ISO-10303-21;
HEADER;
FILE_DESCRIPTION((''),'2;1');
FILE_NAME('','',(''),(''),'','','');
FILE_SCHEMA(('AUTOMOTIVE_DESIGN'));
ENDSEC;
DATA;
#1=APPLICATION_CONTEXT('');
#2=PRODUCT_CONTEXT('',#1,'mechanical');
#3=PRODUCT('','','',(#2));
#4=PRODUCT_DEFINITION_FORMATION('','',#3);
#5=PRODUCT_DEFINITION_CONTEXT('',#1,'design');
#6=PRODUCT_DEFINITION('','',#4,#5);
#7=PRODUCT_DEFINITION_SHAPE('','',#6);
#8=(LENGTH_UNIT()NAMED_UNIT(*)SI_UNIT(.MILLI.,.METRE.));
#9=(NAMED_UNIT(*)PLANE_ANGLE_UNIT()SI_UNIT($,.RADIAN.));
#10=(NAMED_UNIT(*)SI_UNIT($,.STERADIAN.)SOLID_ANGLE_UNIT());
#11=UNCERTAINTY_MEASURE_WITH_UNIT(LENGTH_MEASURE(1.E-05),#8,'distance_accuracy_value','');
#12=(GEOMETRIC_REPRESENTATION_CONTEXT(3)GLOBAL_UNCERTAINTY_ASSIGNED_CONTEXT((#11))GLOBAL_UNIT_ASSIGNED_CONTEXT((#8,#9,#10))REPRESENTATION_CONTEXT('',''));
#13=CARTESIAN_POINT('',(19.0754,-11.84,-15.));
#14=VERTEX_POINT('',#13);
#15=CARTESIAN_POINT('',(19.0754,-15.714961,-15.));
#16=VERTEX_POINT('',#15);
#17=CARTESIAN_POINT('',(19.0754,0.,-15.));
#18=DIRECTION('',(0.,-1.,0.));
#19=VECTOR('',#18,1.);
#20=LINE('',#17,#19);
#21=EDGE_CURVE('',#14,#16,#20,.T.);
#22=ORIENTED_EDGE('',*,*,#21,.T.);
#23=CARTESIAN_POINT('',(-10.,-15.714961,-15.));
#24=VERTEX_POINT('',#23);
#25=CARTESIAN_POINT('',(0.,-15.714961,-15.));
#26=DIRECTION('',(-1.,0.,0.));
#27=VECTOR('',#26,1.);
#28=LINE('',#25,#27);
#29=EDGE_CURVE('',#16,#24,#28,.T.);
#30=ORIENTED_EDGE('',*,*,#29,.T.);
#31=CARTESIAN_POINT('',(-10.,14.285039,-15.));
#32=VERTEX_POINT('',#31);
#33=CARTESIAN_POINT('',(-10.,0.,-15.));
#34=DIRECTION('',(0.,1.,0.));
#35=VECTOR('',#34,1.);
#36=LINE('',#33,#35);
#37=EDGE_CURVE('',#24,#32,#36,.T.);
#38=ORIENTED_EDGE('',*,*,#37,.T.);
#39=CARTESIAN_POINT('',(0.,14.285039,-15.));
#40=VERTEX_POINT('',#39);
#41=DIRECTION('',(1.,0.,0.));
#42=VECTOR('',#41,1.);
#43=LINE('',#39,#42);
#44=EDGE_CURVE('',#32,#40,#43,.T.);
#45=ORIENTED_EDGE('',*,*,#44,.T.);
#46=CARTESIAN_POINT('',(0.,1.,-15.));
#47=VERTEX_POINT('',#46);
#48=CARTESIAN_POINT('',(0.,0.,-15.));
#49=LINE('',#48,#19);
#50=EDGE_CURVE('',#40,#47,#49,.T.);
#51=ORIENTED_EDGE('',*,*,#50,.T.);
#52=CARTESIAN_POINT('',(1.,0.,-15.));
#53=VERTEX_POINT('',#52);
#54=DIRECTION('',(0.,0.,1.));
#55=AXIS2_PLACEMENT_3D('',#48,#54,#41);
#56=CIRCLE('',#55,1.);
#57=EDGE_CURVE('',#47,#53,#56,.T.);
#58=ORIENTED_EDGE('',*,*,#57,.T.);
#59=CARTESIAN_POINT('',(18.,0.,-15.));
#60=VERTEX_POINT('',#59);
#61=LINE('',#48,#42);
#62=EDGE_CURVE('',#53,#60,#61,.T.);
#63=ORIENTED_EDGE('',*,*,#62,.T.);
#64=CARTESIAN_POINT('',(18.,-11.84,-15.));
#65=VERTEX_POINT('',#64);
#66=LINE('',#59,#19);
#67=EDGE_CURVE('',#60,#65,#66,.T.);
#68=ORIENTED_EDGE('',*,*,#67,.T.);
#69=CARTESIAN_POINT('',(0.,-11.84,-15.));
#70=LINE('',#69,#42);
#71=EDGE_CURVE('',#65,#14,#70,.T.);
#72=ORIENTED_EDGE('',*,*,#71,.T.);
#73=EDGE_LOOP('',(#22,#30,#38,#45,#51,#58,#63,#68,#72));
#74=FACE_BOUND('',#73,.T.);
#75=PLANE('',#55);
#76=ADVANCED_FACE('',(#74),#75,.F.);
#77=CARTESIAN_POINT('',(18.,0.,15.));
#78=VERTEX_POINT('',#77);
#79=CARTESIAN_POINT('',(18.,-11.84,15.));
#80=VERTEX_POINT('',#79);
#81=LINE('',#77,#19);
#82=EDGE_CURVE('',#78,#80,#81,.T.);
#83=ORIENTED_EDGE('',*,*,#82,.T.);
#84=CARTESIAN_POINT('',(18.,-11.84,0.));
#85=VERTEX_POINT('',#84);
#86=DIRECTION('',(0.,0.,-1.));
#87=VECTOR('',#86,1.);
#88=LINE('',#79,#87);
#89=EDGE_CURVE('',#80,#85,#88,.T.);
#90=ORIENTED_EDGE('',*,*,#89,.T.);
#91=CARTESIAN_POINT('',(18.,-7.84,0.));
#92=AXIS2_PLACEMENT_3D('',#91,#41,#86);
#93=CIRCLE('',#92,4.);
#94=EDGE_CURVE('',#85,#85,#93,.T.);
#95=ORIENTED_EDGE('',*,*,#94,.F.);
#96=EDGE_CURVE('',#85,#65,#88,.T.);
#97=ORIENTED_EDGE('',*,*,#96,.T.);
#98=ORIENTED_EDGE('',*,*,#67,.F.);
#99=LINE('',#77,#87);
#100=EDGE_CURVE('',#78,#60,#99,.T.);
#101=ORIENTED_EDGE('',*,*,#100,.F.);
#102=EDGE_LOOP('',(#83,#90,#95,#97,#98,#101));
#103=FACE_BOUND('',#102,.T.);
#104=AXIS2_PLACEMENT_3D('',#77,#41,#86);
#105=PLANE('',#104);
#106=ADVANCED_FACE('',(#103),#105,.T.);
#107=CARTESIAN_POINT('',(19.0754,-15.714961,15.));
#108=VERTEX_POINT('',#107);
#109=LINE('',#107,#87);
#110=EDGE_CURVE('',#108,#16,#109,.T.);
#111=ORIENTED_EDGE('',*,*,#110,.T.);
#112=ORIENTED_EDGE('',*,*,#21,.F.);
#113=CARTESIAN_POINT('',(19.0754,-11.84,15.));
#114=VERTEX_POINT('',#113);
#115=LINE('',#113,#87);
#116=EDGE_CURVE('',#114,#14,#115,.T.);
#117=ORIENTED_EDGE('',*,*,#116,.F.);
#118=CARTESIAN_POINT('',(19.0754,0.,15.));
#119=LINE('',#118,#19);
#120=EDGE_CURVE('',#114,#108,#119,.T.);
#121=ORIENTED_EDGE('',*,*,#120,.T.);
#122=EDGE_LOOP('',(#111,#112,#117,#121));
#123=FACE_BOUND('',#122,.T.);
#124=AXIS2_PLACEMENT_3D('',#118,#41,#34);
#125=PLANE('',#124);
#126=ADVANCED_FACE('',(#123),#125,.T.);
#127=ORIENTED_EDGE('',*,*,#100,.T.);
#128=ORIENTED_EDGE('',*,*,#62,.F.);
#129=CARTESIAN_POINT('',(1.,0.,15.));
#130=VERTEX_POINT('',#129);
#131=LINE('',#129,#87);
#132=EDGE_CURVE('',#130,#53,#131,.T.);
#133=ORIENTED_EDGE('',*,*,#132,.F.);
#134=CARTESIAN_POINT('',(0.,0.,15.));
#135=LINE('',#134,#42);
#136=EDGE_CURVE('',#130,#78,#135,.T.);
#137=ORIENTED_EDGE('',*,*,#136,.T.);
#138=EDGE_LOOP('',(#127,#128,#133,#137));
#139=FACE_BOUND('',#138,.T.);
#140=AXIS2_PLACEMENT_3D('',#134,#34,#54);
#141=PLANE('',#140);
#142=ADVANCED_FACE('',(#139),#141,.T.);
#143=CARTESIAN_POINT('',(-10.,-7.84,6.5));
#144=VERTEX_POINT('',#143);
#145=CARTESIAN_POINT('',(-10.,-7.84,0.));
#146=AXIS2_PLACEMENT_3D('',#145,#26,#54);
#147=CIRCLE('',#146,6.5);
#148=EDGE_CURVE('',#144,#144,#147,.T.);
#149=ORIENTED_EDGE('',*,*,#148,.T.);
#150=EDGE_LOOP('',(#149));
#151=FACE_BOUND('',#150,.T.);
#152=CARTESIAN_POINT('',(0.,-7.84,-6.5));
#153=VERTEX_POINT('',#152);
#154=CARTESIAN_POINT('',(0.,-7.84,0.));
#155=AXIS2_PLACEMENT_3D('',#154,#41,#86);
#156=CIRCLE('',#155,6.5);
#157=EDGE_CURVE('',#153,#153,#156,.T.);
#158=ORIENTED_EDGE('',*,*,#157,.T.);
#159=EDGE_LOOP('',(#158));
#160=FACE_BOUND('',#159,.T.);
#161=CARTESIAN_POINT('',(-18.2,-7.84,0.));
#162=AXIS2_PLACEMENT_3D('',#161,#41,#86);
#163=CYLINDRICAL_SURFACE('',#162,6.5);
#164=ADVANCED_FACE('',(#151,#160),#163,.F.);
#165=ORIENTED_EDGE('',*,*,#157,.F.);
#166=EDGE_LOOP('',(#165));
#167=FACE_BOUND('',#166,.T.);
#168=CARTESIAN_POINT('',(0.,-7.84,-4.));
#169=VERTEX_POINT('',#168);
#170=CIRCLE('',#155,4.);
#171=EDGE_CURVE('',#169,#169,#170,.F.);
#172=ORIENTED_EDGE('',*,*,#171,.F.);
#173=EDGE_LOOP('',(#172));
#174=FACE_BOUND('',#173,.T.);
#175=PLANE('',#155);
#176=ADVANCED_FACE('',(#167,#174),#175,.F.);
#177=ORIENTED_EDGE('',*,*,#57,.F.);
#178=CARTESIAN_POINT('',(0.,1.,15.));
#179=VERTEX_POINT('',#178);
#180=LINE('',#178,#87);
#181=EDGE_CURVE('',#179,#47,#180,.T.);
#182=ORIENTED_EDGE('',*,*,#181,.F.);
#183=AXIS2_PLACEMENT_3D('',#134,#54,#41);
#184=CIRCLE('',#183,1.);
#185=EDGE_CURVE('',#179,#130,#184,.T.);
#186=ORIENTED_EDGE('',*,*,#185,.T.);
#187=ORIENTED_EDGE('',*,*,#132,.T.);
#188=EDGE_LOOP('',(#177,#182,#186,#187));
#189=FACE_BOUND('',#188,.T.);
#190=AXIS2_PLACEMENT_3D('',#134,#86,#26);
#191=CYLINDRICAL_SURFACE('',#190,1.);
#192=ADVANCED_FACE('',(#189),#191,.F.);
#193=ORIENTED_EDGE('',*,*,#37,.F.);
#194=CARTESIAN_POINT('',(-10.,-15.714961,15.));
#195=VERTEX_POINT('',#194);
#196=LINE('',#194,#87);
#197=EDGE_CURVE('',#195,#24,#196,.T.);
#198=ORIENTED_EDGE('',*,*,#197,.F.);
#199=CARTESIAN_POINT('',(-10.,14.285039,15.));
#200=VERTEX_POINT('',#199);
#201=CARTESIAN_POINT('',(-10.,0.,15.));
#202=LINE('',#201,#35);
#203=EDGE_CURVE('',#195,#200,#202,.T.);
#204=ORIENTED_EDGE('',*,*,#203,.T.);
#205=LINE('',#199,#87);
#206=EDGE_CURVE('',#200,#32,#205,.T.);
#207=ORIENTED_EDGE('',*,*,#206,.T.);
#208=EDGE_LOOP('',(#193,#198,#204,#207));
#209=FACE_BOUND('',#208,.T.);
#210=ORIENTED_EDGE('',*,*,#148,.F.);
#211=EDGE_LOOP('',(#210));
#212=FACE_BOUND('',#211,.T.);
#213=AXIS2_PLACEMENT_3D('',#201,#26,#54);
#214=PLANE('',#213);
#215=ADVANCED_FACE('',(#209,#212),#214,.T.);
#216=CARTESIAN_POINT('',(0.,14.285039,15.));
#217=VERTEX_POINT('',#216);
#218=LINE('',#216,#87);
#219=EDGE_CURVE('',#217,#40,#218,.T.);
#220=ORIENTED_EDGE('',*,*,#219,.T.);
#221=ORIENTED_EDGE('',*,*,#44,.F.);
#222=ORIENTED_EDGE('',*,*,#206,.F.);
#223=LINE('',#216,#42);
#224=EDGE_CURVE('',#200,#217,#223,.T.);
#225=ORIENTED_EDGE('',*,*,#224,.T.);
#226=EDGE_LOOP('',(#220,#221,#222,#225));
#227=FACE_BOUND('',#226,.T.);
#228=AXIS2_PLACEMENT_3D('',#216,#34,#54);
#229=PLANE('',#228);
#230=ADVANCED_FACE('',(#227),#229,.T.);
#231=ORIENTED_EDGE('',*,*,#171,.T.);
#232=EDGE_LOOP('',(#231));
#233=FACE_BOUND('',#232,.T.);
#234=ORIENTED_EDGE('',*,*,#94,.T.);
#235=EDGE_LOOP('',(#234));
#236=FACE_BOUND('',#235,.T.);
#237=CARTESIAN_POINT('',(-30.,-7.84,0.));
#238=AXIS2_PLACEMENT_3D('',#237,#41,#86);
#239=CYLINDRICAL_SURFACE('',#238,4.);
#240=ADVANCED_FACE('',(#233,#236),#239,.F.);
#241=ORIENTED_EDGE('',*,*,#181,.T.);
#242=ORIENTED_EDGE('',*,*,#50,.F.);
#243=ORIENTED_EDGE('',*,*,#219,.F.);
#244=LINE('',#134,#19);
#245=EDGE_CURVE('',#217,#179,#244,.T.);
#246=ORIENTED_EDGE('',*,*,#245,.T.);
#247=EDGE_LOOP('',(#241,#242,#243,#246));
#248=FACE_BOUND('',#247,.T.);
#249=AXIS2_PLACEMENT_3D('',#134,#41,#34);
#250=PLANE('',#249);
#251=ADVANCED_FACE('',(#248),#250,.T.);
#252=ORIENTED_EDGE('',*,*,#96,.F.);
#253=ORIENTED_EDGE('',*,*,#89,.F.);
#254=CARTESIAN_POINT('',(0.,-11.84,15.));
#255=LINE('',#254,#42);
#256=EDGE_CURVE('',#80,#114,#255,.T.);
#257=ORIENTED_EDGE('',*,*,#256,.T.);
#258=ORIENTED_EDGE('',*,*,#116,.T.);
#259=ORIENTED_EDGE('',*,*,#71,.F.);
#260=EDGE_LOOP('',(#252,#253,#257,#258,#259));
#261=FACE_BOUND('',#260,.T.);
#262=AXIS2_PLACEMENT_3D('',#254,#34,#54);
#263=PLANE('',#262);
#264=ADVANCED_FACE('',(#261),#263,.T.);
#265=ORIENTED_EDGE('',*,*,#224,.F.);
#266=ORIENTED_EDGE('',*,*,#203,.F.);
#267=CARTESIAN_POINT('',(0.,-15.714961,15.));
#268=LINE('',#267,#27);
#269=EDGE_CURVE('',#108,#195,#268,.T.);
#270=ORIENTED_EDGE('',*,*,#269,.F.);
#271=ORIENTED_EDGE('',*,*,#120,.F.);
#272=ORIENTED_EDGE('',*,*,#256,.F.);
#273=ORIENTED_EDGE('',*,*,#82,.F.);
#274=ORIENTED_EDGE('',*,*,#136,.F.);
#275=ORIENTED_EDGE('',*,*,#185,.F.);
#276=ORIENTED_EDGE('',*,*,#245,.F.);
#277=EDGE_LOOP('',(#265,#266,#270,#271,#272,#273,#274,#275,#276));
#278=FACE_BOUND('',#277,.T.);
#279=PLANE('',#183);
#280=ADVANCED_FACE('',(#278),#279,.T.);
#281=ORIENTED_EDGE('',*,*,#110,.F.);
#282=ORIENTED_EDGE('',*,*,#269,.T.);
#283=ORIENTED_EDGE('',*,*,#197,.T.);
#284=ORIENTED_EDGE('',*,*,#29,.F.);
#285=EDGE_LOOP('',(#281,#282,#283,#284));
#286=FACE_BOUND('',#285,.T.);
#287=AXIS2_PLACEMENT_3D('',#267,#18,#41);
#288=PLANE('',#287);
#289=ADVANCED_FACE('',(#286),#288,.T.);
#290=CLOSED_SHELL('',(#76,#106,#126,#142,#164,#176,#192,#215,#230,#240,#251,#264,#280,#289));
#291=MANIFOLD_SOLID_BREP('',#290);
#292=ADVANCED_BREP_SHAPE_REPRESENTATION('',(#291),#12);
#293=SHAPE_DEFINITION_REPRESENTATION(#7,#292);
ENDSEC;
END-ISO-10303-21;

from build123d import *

# Parameters (mm, degrees)
BOSS_EXTRUDE1_DEPTH      = 15
BOSS_EXTRUDE1_DEPTH_BACK = 15
CUT_EXTRUDE1_DEPTH       = 55.4
CUT_EXTRUDE1_DEPTH_BACK  = 30
SKETCH2_R                = 4
SKETCH3_R                = 6.5
CUT_EXTRUDE2_DEPTH       = 18.2


with BuildPart() as part:
    # Sketch1 → Boss-Extrude1 (new, two sides: drawn at the far end of the back side and taken through both)
    with BuildSketch(Plane.XY.offset(-BOSS_EXTRUDE1_DEPTH_BACK)):
        with BuildLine():
            Line((-10, 14.285038976), (-10, -15.714961024))
            Line((-10, -15.714961024), (19.0754, -15.714961024))
            Line((19.0754, -15.714961024), (19.0754, -11.84))
            Line((19.0754, -11.84), (18, -11.84))
            Line((18, -11.84), (18, 0))
            Line((18, 0), (1, 0))
            ThreePointArc((1, 0), (-0.707106781, -0.707106781), (0, 1))
            Line((0, 1), (0, 14.285038976))
            Line((0, 14.285038976), (-10, 14.285038976))
        make_face()
    extrude(amount=BOSS_EXTRUDE1_DEPTH + BOSS_EXTRUDE1_DEPTH_BACK)

    # Sketch2 → Cut-Extrude1 (cut, two sides: drawn at the far end of the back side and taken through both)
    with BuildSketch(Plane(origin=(0, 0, 0), x_dir=(0, 0, -1), z_dir=(1, 0, 0)).offset(-CUT_EXTRUDE1_DEPTH_BACK)):
        with Locations((0, -7.84)):
            Circle(SKETCH2_R)
    extrude(amount=CUT_EXTRUDE1_DEPTH + CUT_EXTRUDE1_DEPTH_BACK, mode=Mode.SUBTRACT)

    # Sketch3 → Cut-Extrude2 (cut)
    with BuildSketch(Plane(origin=(0, 0, 0), x_dir=(0, 0, -1), z_dir=(1, 0, 0))):
        with Locations((0, -7.84)):
            Circle(SKETCH3_R)
    extrude(amount=-CUT_EXTRUDE2_DEPTH, mode=Mode.SUBTRACT)


solid = part.part
